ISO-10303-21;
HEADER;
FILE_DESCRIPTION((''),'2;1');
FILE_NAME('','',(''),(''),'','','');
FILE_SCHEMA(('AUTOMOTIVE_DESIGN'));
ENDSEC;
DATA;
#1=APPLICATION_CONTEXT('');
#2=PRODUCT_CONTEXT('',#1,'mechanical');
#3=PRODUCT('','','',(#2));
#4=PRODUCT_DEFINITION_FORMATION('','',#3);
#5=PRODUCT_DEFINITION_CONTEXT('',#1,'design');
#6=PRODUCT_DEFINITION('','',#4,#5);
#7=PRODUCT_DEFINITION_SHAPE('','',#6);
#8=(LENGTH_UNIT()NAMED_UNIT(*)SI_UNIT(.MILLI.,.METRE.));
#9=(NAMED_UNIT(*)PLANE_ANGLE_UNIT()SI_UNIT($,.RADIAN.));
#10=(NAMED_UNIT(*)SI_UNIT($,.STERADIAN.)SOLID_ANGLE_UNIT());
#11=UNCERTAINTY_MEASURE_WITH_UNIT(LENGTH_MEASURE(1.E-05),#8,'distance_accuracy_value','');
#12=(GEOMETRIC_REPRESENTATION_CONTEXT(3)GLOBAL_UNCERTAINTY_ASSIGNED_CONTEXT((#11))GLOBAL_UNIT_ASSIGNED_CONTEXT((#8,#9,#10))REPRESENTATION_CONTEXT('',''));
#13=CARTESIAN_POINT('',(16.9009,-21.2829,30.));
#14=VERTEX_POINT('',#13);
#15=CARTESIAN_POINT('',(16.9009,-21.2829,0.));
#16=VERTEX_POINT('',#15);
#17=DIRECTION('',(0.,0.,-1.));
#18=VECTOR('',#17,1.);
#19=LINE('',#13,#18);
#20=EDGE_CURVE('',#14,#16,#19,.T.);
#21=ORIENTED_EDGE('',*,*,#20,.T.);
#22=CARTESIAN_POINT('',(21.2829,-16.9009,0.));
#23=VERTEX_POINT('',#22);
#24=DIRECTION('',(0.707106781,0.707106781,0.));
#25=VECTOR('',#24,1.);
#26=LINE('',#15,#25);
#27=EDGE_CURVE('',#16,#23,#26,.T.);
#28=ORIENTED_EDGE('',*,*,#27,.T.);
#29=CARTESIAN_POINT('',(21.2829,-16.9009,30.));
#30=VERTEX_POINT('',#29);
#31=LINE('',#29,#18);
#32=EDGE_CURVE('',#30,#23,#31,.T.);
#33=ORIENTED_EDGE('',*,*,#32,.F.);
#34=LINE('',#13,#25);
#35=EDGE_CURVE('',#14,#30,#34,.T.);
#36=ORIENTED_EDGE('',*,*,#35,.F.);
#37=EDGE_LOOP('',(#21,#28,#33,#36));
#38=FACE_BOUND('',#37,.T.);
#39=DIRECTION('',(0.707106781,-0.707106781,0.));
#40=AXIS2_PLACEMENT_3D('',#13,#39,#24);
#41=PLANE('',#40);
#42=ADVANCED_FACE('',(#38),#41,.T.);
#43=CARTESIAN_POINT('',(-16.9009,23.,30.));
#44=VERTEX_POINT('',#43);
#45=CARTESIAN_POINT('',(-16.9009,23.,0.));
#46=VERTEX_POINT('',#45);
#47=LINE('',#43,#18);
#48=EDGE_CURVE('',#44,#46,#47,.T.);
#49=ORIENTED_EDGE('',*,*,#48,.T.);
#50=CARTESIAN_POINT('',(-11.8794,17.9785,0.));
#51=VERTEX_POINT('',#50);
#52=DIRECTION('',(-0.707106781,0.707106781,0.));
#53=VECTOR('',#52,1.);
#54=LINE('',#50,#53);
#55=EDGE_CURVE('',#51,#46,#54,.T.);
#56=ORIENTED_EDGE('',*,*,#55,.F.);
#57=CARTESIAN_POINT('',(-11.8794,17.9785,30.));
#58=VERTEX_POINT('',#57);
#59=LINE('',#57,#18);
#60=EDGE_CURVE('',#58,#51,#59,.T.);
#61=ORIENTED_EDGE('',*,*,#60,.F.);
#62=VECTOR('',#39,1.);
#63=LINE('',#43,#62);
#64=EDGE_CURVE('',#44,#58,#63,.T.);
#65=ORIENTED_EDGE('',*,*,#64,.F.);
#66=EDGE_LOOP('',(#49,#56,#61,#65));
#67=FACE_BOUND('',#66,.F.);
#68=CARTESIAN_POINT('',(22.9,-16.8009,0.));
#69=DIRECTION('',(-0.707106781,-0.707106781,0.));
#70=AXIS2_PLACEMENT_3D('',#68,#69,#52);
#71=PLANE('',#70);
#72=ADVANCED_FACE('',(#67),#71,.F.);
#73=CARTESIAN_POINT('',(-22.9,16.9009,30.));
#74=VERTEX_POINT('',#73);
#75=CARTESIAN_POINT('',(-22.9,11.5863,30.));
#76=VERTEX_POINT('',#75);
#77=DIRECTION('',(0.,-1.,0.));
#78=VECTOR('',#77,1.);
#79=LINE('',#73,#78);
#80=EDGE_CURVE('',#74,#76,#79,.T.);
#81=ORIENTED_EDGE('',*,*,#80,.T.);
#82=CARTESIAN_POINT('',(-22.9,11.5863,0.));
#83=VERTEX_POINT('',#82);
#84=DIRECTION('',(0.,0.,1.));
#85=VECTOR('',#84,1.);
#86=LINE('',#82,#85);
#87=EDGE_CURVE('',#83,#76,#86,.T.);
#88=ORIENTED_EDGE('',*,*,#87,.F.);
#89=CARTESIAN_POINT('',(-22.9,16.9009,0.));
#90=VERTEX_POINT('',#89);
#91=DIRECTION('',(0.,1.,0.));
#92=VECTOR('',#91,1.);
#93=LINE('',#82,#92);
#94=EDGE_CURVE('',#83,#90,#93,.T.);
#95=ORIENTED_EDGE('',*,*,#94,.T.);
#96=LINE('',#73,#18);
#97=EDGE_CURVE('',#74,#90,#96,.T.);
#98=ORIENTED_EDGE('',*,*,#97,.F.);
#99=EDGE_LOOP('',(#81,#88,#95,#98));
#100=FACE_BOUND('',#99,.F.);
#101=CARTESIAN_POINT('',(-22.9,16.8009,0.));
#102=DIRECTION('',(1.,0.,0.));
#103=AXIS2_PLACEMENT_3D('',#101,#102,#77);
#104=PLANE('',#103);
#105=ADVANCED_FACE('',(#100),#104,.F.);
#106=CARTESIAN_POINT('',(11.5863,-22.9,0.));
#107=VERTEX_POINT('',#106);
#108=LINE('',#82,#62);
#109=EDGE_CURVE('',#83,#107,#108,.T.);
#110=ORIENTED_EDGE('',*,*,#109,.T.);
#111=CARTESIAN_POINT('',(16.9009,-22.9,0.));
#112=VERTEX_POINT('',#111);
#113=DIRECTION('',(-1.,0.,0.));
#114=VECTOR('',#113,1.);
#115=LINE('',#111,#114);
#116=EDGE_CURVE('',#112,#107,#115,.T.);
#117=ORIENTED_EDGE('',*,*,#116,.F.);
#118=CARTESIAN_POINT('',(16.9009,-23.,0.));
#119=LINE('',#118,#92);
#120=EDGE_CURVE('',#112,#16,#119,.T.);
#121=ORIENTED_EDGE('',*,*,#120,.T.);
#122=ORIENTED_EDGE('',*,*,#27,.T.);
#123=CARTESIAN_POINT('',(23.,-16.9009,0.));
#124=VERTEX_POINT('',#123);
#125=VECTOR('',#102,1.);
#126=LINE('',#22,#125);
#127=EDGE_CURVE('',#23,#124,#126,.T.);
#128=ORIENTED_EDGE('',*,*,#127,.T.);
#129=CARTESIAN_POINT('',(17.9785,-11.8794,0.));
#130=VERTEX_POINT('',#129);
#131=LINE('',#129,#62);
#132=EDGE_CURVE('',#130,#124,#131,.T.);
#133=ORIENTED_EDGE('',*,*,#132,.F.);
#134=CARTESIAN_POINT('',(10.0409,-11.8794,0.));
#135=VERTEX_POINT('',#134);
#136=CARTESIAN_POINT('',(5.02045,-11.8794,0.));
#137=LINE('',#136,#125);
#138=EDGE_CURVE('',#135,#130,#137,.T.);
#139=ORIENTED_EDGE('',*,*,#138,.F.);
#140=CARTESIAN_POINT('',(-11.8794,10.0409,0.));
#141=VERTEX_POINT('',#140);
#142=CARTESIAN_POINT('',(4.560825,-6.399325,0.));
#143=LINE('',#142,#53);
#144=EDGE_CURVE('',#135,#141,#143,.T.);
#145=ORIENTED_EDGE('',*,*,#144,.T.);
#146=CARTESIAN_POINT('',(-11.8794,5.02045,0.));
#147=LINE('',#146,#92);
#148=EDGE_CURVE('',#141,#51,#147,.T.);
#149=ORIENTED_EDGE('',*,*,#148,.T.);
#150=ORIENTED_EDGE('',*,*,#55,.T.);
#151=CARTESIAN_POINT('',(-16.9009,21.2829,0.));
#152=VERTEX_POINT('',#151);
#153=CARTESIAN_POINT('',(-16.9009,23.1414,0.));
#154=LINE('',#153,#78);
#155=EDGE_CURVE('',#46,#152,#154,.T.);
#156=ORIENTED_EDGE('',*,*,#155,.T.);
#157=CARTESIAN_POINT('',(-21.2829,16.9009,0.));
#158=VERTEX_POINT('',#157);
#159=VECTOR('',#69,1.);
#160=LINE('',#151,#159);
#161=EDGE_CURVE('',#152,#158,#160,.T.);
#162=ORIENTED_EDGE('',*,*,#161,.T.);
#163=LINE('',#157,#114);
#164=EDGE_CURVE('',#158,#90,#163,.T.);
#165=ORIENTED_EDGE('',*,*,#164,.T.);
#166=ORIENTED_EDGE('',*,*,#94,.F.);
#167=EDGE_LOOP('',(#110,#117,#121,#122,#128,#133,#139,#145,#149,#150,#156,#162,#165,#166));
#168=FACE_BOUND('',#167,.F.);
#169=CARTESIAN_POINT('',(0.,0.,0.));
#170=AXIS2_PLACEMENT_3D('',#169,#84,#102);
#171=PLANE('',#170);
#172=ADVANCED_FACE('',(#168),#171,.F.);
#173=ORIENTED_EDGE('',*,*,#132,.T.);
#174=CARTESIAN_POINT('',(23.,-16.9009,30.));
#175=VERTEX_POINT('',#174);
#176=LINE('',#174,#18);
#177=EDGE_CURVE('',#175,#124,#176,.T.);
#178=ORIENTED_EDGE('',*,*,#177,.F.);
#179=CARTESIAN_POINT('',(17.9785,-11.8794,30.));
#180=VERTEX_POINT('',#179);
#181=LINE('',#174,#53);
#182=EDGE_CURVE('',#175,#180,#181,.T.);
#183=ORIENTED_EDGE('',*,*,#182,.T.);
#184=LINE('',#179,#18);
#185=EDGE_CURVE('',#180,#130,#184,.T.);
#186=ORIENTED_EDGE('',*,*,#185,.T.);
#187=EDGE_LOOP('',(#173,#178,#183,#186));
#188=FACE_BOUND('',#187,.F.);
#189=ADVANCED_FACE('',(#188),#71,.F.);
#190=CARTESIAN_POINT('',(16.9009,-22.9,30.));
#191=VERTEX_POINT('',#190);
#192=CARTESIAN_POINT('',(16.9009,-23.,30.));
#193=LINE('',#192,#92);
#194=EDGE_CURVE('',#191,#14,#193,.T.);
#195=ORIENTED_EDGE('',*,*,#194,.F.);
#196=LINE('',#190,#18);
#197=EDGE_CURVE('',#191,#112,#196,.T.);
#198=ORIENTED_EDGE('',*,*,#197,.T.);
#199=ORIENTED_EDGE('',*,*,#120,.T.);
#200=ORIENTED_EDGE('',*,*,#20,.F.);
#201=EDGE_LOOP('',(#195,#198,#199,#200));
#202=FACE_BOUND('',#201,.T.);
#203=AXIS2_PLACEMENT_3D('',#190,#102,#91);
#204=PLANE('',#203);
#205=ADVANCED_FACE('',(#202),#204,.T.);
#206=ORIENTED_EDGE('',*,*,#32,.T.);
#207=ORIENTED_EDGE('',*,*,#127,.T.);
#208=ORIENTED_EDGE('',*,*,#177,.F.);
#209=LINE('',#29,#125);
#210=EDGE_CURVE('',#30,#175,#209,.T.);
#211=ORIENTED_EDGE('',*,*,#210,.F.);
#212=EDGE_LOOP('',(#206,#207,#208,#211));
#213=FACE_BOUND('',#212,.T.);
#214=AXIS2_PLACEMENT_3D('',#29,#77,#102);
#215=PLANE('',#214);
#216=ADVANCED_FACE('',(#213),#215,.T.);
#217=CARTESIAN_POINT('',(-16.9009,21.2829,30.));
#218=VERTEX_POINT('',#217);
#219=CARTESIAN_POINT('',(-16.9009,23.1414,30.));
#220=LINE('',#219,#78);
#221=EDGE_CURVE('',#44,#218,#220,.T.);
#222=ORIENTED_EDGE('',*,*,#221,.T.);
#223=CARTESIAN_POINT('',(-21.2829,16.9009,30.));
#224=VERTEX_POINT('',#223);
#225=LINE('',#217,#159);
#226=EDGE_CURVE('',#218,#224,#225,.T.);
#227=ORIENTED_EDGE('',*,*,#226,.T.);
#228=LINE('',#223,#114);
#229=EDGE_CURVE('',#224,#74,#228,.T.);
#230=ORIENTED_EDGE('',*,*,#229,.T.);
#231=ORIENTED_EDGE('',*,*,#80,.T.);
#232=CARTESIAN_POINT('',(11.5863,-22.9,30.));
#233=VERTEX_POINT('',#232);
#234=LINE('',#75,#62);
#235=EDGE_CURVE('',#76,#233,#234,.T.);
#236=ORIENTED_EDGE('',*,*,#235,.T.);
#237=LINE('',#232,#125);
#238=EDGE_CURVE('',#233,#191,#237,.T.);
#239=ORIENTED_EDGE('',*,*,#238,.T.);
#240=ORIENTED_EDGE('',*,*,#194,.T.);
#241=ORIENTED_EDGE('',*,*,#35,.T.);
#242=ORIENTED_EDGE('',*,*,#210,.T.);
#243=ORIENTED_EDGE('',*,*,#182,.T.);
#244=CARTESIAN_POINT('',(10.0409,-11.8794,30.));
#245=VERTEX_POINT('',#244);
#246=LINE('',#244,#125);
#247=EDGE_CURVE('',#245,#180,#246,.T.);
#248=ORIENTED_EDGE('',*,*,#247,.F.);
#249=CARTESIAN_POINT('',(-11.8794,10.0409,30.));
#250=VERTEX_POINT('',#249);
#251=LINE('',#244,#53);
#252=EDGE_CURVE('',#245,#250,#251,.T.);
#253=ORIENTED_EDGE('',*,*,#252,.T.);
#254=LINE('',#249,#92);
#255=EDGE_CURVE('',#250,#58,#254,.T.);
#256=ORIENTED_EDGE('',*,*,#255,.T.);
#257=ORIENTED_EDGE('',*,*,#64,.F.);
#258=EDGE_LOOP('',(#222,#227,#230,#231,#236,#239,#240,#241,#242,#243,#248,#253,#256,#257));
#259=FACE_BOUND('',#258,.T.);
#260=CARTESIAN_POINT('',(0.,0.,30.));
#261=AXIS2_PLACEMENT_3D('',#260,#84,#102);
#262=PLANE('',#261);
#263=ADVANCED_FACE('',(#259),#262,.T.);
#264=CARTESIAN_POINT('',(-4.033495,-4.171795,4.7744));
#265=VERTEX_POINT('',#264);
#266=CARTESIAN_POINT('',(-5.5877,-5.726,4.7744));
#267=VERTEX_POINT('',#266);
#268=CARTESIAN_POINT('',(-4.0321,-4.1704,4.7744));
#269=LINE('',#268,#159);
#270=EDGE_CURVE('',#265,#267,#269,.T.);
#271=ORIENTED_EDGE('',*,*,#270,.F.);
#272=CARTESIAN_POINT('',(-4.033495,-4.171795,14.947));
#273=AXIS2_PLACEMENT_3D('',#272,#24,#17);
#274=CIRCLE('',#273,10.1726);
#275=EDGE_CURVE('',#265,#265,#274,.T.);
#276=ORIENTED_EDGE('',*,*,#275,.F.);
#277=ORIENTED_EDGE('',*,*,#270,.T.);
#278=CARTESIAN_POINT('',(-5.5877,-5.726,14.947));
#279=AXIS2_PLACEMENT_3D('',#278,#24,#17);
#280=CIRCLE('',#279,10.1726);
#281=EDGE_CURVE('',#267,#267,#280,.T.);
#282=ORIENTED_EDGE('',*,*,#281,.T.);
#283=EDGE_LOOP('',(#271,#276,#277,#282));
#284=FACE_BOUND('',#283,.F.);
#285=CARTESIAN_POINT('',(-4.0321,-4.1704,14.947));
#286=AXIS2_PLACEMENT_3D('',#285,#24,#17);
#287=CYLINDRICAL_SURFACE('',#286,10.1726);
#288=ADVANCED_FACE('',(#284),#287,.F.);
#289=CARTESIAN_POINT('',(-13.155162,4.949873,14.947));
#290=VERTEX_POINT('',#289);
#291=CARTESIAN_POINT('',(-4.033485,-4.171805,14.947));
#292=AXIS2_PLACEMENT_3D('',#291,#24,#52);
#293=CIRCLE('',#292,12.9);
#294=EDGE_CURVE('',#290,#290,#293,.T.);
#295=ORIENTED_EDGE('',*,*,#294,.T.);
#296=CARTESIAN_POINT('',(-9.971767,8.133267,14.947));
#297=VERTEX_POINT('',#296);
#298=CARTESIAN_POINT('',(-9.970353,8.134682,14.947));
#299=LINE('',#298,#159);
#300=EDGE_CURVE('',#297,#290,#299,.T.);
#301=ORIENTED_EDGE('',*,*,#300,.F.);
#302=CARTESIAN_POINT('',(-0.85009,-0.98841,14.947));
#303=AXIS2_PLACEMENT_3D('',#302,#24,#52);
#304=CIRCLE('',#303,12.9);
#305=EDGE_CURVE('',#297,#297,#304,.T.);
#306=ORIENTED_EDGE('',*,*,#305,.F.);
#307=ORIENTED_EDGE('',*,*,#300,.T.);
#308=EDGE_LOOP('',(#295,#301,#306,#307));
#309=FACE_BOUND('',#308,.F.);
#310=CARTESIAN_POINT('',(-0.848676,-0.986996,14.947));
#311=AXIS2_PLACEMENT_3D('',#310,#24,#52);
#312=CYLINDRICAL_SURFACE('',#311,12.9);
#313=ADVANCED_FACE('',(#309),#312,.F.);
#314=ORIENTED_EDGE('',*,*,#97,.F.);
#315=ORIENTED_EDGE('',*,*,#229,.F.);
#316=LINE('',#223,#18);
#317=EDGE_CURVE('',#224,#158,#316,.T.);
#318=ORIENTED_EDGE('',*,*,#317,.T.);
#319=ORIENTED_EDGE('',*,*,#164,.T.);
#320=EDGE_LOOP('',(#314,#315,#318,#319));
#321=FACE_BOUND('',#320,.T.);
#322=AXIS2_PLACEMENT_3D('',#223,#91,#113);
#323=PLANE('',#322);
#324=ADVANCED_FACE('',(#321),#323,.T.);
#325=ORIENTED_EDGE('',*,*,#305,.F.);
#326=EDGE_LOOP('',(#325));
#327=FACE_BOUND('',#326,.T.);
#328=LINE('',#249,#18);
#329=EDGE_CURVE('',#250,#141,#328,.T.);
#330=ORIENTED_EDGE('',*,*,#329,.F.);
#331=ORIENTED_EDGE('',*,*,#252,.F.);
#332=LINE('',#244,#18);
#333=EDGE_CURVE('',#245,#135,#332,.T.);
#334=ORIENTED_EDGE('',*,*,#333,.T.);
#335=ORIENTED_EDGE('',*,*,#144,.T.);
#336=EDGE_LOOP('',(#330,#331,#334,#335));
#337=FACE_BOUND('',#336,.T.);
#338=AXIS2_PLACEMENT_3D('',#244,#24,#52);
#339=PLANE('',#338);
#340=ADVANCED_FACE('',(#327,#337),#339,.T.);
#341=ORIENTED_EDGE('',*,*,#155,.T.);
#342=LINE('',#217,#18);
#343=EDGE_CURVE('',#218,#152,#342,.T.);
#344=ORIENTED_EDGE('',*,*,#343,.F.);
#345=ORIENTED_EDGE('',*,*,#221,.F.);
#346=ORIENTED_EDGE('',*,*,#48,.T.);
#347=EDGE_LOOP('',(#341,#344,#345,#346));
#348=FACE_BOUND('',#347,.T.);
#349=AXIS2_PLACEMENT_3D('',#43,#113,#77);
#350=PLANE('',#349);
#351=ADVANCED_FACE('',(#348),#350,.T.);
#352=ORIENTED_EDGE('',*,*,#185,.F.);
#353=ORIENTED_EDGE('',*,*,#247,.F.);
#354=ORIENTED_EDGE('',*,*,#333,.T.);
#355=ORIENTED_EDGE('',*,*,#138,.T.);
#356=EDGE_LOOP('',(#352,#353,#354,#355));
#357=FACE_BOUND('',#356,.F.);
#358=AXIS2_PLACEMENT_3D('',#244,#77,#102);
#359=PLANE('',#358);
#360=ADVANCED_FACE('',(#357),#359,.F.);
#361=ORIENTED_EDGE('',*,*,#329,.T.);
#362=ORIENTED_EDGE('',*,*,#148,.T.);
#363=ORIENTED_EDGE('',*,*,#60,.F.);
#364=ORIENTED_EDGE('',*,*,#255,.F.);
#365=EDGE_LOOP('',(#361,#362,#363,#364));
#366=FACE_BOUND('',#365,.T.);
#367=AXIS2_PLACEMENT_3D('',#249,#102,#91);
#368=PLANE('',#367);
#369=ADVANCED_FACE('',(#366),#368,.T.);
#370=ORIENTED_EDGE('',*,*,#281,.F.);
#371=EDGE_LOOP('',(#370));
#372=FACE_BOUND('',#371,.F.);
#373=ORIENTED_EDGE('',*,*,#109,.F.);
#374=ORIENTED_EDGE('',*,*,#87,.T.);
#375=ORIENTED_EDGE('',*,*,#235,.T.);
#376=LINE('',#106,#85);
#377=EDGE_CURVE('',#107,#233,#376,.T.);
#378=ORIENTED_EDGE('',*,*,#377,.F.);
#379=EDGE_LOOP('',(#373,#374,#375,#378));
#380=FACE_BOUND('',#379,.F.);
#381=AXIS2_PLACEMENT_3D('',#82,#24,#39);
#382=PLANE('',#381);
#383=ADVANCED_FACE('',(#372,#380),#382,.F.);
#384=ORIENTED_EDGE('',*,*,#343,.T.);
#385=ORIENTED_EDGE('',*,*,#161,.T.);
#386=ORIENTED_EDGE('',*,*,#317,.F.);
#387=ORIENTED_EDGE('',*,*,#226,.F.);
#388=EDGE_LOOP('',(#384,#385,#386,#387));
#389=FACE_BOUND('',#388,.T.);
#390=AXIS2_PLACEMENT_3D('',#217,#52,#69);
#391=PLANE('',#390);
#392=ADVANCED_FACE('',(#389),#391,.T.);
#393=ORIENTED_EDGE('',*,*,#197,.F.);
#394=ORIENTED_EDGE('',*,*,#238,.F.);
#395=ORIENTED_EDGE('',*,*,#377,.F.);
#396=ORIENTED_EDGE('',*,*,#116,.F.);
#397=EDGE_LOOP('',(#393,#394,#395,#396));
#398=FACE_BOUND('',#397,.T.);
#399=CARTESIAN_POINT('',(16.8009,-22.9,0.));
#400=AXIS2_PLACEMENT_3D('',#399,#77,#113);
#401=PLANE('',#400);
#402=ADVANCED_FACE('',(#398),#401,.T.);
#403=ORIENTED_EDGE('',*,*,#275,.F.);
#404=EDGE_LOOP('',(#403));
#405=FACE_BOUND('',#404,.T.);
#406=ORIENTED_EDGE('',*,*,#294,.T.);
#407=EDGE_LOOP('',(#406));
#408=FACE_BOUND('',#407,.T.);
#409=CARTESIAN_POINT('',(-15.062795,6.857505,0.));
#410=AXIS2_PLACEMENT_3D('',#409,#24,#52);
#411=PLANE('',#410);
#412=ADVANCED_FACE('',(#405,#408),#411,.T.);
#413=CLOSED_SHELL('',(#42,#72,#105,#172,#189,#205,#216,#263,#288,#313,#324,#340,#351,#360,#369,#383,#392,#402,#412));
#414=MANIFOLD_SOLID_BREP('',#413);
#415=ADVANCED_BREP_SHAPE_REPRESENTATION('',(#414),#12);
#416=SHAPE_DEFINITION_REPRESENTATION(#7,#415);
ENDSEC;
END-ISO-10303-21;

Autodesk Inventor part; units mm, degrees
ref_plane "YZ Plane" through (0, 0, 0) normal (1, 0, 0) x (0, 1, 0)
ref_plane "XZ Plane" through (0, 0, 0) normal (0, 1, 0) x (-1, 0, 0)
sketch "Sketch1" plane through (0, 0, 0) normal (0, 0, 1) x (1, 0, 0)
  line L0 (-16.9, 21.4) -> (-16.9, 16.9) construction
  arc A0 (-22.9, 19.9) -> (-19.9, 22.9) centre (-19.9, 19.9) ccw construction
  line L1 (-16.9, 16.9) -> (16.9, 16.9) construction
  line L2 (16.9, 16.9) -> (16.9, -16.9) construction
  line L3 (16.9, -16.9) -> (-16.9, -16.9) construction
  line L4 (-16.9, -16.9) -> (-16.9, 16.9) construction
  arc A1 (22.9, -19.9) -> (19.9, -22.9) centre (19.9, -19.9) ccw construction
  line L5 (22.9, 19.9) -> (22.9, -19.9) construction
  arc A2 (19.9, 22.9) -> (22.9, 19.9) centre (19.9, 19.9) ccw construction
  line L6 (-19.9, 22.9) -> (19.9, 22.9) construction
  arc A3 (-22.9, 19.9) -> (-19.9, 22.9) centre (-19.9, 19.9) ccw construction
  line L7 (-22.9, -19.9) -> (-22.9, 19.9) construction
  arc A4 (-19.9, -22.9) -> (-22.9, -19.9) centre (-19.9, -19.9) ccw construction
  line L8 (19.9, -22.9) -> (-19.9, -22.9) construction
  line L9 (-21.4, 16.9) -> (-16.9, 16.9) construction
  line L10 (-16.9, -16.9) -> (-21.4, -16.9) construction
  line L11 (-16.9, -16.9) -> (-16.9, -21.4) construction
  line L12 (16.9, -21.4) -> (16.9, -16.9) construction
  line L13 (21.4, -16.9) -> (16.9, -16.9) construction
  line L14 (16.9, 16.9) -> (21.4, 16.9) construction
  line L15 (16.9, 16.9) -> (16.9, 21.4) construction
  line L16 (-16.8009, 21.2415) -> (21.2415, -16.8009)
  line L17 (21.2415, -16.8009) -> (16.8009, -21.2415)
  line L18 (16.8009, -21.2415) -> (-21.2415, 16.8009)
  line L19 (-21.2415, 16.8009) -> (-16.8009, 21.2415)
  line L20 (-16.8009, 21.2415) -> (16.8009, -21.2415) construction
  line L21 (21.2415, -16.8009) -> (-21.2415, 16.8009) construction
  line L22 (-16.8009, 21.2415) -> (36.9991, 21.2415) construction
  line L23 (-21.2415, 16.8009) -> (-22.9, 16.8009)
  line L24 (16.8009, -21.2415) -> (16.8009, -22.9)
  line L25 (16.8009, -22.9) -> (-22.9, 16.8009)
  line L26 (-16.8009, 21.2415) -> (-16.8009, 22.9)
  line L27 (21.2415, -16.8009) -> (22.9, -16.8009)
  line L28 (22.9, -16.8009) -> (-16.8009, 22.9)
  line L29 (-22.9, 16.8009) -> (-22.9, 11.5863)
  line L30 (16.8009, -22.9) -> (11.5863, -22.9)
  line L31 (-22.9, 11.5863) -> (11.5863, -22.9)
  point P0 (0, 0)
  dimension "d0" = 53.8
  dimension "d1" = 45
  dimension "d2" = 6.28
  dimension "d5" = 8
extrude "Extrusion1" add sketch "Sketch1" along normal blind 30
ref_plane "Work Plane1" through (16.9, -16.9, -8) normal (-0.7071, -0.7071, 0) x (0, 0, 1)
sketch "Sketch7" plane through (0, 0, 30) normal (0, 0, 1) x (1, 0, 0)
  line L0 (21.2415, -16.8009) -> (22.9, -16.8009) projected
  line L1 (22.9, -16.8009) -> (-16.8009, 22.9) projected
  line L2 (-16.8009, 22.9) -> (-16.8009, 21.2415) projected
  line L3 (-16.8009, 21.2415) -> (-21.2415, 16.8009) projected
  line L4 (-21.2415, 16.8009) -> (-22.9, 16.8009) projected
  line L5 (-22.9, 16.8009) -> (-22.9, 11.5863) projected
  line L6 (-22.9, 11.5863) -> (11.5863, -22.9) projected
  line L7 (11.5863, -22.9) -> (16.8009, -22.9) projected
  line L8 (16.8009, -22.9) -> (16.8009, -21.2415) projected
  line L9 (16.8009, -21.2415) -> (21.2415, -16.8009) projected
  line L10 (3.0496, 3.0496) -> (-5.6569, -5.6569)
  line L11 (-22.9, 11.5863) -> (11.5863, -22.9) projected
  line L12 (17.9785, -3.9418) -> (10.0409, -11.8794)
  line L13 (10.0409, -11.8794) -> (-11.8794, 10.0409)
  line L14 (-11.8794, 10.0409) -> (-3.9418, 17.9785)
  line L15 (-3.9418, 17.9785) -> (17.9785, -3.9418)
  line L16 (17.9785, -3.9418) -> (-11.8794, 10.0409) construction
  line L17 (10.0409, -11.8794) -> (-3.9418, 17.9785) construction
  line L18 (-11.8794, 10.0409) -> (-11.8794, 17.9785)
  line L19 (22.9, -16.8009) -> (-16.8009, 22.9) projected
  line L20 (10.0409, -11.8794) -> (17.9785, -11.8794)
  point P0 (0, 0)
  dimension "d28" = 31
  dimension "d29" = 1.3
extrude "Extrusion7" cut sketch "Sketch7" against normal through all contours L20 L12 L1 | L12 L13 L10 L1 | L1 L14 L15 L12 | L10 L13 L14 L1 | L14 L18 L1
sketch "Sketch13" plane through (0, 0, 30) normal (0, 0, 1) x (1, 0, 0)
  line L0 (-11.8794, 10.0409) -> (-11.8794, 17.9785) construction
  line L1 (-11.8794, 17.9785) -> (-16.8009, 22.9) construction
  line L2 (-16.8009, 22.9) -> (-16.8009, 21.2415) projected
  line L3 (-16.8009, 21.2415) -> (-21.2415, 16.8009) projected
  line L4 (-21.2415, 16.8009) -> (-22.9, 16.8009) projected
  line L5 (-22.9, 16.8009) -> (-22.9, 11.5863) construction
  line L6 (-22.9, 11.5863) -> (11.5863, -22.9) construction
  line L7 (11.5863, -22.9) -> (16.8009, -22.9) construction
  line L8 (16.8009, -22.9) -> (16.8009, -21.2415) projected
  line L9 (16.8009, -21.2415) -> (21.2415, -16.8009) projected
  line L10 (21.2415, -16.8009) -> (22.9, -16.8009) projected
  line L11 (22.9, -16.8009) -> (17.9785, -11.8794) construction
  line L12 (17.9785, -11.8794) -> (10.0409, -11.8794) construction
  line L13 (10.0409, -11.8794) -> (-11.8794, 10.0409) construction
  line L14 (-11.7794, 10.0823) -> (-11.7794, 18.02) construction
  line L15 (-11.7794, 18.02) -> (-16.9009, 23.1414) construction
  line L16 (-16.9009, 23.1414) -> (-16.9009, 21.2829)
  line L17 (-16.9009, 21.2829) -> (-21.2829, 16.9009)
  line L18 (-21.2829, 16.9009) -> (-23, 16.9009)
  line L19 (-23, 16.9009) -> (-23, 11.5449) construction
  line L20 (-23, 11.5449) -> (11.5449, -23) construction
  line L21 (11.5449, -23) -> (16.9009, -23) construction
  line L22 (16.9009, -23) -> (16.9009, -21.2829)
  line L23 (16.9009, -21.2829) -> (21.2829, -16.9009)
  line L24 (21.2829, -16.9009) -> (23.1414, -16.9009)
  line L25 (23.1414, -16.9009) -> (18.02, -11.7794) construction
  line L26 (18.02, -11.7794) -> (10.0823, -11.7794) construction
  line L27 (10.0823, -11.7794) -> (-11.7794, 10.0823) construction
  line L28 (16.8009, -22.9) -> (16.9009, -22.9)
  line L29 (22.9, -16.8009) -> (23, -16.9009)
  line L30 (-21.2415, 16.8009) -> (-22.9, 16.8009) projected
  line L31 (-22.9, 16.8009) -> (-22.9, 16.9009)
  line L32 (-16.8009, 22.9) -> (-16.9009, 23)
  point P0 (0, 0)
  dimension "d65" = 0.1
extrude "IM_offset" add sketch "Sketch13" against normal up to surface (30 mm away)
sketch "Sketch14" plane through (-11.8794, 10.0409, 0) normal (0.7071, 0.7071, 0) x (-0.7071, 0.7071, 0)
  circle A0 centre (-15.5978, 14.947) radius 12.7 projected
  circle A1 centre (-15.5978, 14.947) radius 12.9
  point P0 (-15.5, 0)
  dimension "d68" = 0.2
ref_plane "Work Plane4" through (-4.0321, -4.1704, -0.5659) normal (-0.7071, -0.7071, 0) x (0.204, -0.204, 0.9575)
extrude "Extrusion11" cut sketch "Sketch14" against normal up to surface (4.5 mm away) contours A0 | A1
sketch "Sketch15" plane through (-4.0321, -4.1704, 14.947) normal (0.7071, 0.7071, 0) x (0, 0, -1)
  circle A0 centre (0, 0) radius 12.45 projected
  circle A1 centre (0, 0) radius 10.1726
  point P0 (14.947, 0.0978)
extrude "Extrusion12" cut sketch "Sketch15" against normal through all contours A1
equation "\"d3\" = MirrorThickness1"
equation "\"MirrorThickness1\" = 30"
properties part number "20_Cube_Insert_Mirror_Holder_wLogo_v3"
